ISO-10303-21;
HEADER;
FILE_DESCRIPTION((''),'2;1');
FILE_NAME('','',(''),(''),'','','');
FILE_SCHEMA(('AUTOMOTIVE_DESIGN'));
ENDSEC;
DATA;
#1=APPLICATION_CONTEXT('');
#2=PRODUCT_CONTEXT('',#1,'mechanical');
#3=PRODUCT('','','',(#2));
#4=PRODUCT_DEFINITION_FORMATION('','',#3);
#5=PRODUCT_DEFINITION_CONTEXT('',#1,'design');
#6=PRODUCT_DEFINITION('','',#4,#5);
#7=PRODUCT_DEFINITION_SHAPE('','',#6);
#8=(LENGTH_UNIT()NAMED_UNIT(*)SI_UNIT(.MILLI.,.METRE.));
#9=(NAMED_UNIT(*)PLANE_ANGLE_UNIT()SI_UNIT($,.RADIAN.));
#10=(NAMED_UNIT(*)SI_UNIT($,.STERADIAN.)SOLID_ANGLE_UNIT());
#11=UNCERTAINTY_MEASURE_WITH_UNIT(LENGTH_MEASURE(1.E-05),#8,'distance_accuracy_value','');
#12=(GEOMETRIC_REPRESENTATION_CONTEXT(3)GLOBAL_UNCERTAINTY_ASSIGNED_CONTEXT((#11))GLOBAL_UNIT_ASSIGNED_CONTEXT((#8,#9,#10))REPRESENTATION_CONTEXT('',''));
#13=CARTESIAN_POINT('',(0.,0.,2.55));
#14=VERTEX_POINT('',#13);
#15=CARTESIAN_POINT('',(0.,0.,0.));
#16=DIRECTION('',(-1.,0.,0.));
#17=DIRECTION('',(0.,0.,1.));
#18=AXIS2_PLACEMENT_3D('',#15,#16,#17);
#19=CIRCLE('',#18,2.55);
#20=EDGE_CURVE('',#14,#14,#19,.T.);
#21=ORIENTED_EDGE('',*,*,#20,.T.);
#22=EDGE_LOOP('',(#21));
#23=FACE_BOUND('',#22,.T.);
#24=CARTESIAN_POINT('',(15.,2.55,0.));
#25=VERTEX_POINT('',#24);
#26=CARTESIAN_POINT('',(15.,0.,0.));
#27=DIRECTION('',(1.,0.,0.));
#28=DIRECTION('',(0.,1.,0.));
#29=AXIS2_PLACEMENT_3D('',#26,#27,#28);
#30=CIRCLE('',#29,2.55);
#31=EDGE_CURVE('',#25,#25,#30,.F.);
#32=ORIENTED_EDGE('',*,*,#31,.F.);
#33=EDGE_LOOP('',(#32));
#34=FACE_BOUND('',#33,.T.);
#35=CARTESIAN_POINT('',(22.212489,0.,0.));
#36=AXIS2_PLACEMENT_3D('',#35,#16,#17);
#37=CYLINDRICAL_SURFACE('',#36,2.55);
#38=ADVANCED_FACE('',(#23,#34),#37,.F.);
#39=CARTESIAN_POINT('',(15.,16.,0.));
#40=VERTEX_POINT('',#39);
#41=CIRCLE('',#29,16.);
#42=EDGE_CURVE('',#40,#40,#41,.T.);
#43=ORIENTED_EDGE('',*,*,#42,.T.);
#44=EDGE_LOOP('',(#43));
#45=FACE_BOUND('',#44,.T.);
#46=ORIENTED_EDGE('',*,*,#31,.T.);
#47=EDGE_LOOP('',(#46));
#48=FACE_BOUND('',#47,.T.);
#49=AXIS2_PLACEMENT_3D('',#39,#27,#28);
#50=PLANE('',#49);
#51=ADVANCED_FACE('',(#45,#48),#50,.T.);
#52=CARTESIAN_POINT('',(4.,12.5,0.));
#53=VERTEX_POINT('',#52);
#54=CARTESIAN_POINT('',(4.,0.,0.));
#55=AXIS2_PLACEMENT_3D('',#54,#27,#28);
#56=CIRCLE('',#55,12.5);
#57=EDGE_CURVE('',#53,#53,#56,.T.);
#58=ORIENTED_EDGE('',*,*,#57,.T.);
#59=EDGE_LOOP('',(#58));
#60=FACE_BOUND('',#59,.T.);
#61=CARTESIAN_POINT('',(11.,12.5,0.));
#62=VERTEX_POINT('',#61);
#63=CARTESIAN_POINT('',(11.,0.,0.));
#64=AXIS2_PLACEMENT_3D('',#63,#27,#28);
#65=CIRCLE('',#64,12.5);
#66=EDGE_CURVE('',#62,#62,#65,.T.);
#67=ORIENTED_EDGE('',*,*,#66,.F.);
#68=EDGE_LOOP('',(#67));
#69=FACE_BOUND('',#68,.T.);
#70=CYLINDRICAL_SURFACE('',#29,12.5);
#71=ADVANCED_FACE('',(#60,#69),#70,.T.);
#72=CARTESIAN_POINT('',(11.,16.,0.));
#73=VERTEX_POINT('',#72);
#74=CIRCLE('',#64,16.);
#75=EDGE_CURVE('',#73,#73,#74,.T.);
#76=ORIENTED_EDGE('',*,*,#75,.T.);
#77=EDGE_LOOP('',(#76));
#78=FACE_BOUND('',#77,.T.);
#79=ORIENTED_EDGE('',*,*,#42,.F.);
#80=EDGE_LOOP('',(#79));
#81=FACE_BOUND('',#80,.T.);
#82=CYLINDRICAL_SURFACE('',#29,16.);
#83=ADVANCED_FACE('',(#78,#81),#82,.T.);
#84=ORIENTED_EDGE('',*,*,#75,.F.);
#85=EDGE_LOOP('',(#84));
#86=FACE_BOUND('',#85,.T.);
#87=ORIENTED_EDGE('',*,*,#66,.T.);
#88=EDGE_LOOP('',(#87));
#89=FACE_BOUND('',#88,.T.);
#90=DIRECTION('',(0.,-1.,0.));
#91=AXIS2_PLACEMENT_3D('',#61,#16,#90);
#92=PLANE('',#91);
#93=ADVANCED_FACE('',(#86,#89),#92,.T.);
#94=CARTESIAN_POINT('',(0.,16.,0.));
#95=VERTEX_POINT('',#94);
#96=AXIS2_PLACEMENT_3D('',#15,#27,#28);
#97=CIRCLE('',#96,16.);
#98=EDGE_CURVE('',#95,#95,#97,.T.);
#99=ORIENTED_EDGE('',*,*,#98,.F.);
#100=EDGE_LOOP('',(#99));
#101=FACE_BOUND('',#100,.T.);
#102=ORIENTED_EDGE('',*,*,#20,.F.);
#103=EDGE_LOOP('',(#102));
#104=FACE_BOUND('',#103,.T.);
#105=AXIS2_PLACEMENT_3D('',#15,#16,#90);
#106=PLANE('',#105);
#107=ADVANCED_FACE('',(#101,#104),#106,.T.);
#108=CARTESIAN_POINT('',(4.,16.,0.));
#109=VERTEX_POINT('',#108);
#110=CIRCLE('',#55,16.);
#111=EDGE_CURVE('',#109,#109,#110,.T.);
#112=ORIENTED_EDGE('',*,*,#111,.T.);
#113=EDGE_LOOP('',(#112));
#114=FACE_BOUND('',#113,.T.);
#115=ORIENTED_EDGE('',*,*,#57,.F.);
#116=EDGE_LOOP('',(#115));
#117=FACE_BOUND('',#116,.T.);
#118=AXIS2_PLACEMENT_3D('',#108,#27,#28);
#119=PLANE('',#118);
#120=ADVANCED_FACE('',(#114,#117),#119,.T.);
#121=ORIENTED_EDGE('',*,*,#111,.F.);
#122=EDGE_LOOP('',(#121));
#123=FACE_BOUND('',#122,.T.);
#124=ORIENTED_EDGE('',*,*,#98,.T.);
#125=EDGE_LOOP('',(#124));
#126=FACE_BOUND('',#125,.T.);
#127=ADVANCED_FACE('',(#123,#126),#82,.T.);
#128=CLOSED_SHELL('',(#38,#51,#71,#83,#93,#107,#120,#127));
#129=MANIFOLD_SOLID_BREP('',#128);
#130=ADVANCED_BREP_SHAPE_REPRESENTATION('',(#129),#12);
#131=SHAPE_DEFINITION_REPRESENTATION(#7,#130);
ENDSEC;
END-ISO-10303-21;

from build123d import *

# Parameters (mm, degrees)
SKETCH2_R          = 2.55
CUT_EXTRUDE1_DEPTH = 15


with BuildPart() as part:
    # Sketch1 → Revolve1 (revolve)
    with BuildSketch(Plane.XY):
        Polygon((0, 0), (0, 16), (4, 16), (4, 12.5), (11, 12.5), (11, 16), (15, 16), (15, 0), align=None)
    revolve(axis=Axis((15, 0, 0), (-1, 0, 0)))

    # Sketch2 → Cut-Extrude1 (cut)
    with BuildSketch(Plane.ZY):
        Circle(SKETCH2_R)
    extrude(amount=-CUT_EXTRUDE1_DEPTH, mode=Mode.SUBTRACT)


solid = part.part
